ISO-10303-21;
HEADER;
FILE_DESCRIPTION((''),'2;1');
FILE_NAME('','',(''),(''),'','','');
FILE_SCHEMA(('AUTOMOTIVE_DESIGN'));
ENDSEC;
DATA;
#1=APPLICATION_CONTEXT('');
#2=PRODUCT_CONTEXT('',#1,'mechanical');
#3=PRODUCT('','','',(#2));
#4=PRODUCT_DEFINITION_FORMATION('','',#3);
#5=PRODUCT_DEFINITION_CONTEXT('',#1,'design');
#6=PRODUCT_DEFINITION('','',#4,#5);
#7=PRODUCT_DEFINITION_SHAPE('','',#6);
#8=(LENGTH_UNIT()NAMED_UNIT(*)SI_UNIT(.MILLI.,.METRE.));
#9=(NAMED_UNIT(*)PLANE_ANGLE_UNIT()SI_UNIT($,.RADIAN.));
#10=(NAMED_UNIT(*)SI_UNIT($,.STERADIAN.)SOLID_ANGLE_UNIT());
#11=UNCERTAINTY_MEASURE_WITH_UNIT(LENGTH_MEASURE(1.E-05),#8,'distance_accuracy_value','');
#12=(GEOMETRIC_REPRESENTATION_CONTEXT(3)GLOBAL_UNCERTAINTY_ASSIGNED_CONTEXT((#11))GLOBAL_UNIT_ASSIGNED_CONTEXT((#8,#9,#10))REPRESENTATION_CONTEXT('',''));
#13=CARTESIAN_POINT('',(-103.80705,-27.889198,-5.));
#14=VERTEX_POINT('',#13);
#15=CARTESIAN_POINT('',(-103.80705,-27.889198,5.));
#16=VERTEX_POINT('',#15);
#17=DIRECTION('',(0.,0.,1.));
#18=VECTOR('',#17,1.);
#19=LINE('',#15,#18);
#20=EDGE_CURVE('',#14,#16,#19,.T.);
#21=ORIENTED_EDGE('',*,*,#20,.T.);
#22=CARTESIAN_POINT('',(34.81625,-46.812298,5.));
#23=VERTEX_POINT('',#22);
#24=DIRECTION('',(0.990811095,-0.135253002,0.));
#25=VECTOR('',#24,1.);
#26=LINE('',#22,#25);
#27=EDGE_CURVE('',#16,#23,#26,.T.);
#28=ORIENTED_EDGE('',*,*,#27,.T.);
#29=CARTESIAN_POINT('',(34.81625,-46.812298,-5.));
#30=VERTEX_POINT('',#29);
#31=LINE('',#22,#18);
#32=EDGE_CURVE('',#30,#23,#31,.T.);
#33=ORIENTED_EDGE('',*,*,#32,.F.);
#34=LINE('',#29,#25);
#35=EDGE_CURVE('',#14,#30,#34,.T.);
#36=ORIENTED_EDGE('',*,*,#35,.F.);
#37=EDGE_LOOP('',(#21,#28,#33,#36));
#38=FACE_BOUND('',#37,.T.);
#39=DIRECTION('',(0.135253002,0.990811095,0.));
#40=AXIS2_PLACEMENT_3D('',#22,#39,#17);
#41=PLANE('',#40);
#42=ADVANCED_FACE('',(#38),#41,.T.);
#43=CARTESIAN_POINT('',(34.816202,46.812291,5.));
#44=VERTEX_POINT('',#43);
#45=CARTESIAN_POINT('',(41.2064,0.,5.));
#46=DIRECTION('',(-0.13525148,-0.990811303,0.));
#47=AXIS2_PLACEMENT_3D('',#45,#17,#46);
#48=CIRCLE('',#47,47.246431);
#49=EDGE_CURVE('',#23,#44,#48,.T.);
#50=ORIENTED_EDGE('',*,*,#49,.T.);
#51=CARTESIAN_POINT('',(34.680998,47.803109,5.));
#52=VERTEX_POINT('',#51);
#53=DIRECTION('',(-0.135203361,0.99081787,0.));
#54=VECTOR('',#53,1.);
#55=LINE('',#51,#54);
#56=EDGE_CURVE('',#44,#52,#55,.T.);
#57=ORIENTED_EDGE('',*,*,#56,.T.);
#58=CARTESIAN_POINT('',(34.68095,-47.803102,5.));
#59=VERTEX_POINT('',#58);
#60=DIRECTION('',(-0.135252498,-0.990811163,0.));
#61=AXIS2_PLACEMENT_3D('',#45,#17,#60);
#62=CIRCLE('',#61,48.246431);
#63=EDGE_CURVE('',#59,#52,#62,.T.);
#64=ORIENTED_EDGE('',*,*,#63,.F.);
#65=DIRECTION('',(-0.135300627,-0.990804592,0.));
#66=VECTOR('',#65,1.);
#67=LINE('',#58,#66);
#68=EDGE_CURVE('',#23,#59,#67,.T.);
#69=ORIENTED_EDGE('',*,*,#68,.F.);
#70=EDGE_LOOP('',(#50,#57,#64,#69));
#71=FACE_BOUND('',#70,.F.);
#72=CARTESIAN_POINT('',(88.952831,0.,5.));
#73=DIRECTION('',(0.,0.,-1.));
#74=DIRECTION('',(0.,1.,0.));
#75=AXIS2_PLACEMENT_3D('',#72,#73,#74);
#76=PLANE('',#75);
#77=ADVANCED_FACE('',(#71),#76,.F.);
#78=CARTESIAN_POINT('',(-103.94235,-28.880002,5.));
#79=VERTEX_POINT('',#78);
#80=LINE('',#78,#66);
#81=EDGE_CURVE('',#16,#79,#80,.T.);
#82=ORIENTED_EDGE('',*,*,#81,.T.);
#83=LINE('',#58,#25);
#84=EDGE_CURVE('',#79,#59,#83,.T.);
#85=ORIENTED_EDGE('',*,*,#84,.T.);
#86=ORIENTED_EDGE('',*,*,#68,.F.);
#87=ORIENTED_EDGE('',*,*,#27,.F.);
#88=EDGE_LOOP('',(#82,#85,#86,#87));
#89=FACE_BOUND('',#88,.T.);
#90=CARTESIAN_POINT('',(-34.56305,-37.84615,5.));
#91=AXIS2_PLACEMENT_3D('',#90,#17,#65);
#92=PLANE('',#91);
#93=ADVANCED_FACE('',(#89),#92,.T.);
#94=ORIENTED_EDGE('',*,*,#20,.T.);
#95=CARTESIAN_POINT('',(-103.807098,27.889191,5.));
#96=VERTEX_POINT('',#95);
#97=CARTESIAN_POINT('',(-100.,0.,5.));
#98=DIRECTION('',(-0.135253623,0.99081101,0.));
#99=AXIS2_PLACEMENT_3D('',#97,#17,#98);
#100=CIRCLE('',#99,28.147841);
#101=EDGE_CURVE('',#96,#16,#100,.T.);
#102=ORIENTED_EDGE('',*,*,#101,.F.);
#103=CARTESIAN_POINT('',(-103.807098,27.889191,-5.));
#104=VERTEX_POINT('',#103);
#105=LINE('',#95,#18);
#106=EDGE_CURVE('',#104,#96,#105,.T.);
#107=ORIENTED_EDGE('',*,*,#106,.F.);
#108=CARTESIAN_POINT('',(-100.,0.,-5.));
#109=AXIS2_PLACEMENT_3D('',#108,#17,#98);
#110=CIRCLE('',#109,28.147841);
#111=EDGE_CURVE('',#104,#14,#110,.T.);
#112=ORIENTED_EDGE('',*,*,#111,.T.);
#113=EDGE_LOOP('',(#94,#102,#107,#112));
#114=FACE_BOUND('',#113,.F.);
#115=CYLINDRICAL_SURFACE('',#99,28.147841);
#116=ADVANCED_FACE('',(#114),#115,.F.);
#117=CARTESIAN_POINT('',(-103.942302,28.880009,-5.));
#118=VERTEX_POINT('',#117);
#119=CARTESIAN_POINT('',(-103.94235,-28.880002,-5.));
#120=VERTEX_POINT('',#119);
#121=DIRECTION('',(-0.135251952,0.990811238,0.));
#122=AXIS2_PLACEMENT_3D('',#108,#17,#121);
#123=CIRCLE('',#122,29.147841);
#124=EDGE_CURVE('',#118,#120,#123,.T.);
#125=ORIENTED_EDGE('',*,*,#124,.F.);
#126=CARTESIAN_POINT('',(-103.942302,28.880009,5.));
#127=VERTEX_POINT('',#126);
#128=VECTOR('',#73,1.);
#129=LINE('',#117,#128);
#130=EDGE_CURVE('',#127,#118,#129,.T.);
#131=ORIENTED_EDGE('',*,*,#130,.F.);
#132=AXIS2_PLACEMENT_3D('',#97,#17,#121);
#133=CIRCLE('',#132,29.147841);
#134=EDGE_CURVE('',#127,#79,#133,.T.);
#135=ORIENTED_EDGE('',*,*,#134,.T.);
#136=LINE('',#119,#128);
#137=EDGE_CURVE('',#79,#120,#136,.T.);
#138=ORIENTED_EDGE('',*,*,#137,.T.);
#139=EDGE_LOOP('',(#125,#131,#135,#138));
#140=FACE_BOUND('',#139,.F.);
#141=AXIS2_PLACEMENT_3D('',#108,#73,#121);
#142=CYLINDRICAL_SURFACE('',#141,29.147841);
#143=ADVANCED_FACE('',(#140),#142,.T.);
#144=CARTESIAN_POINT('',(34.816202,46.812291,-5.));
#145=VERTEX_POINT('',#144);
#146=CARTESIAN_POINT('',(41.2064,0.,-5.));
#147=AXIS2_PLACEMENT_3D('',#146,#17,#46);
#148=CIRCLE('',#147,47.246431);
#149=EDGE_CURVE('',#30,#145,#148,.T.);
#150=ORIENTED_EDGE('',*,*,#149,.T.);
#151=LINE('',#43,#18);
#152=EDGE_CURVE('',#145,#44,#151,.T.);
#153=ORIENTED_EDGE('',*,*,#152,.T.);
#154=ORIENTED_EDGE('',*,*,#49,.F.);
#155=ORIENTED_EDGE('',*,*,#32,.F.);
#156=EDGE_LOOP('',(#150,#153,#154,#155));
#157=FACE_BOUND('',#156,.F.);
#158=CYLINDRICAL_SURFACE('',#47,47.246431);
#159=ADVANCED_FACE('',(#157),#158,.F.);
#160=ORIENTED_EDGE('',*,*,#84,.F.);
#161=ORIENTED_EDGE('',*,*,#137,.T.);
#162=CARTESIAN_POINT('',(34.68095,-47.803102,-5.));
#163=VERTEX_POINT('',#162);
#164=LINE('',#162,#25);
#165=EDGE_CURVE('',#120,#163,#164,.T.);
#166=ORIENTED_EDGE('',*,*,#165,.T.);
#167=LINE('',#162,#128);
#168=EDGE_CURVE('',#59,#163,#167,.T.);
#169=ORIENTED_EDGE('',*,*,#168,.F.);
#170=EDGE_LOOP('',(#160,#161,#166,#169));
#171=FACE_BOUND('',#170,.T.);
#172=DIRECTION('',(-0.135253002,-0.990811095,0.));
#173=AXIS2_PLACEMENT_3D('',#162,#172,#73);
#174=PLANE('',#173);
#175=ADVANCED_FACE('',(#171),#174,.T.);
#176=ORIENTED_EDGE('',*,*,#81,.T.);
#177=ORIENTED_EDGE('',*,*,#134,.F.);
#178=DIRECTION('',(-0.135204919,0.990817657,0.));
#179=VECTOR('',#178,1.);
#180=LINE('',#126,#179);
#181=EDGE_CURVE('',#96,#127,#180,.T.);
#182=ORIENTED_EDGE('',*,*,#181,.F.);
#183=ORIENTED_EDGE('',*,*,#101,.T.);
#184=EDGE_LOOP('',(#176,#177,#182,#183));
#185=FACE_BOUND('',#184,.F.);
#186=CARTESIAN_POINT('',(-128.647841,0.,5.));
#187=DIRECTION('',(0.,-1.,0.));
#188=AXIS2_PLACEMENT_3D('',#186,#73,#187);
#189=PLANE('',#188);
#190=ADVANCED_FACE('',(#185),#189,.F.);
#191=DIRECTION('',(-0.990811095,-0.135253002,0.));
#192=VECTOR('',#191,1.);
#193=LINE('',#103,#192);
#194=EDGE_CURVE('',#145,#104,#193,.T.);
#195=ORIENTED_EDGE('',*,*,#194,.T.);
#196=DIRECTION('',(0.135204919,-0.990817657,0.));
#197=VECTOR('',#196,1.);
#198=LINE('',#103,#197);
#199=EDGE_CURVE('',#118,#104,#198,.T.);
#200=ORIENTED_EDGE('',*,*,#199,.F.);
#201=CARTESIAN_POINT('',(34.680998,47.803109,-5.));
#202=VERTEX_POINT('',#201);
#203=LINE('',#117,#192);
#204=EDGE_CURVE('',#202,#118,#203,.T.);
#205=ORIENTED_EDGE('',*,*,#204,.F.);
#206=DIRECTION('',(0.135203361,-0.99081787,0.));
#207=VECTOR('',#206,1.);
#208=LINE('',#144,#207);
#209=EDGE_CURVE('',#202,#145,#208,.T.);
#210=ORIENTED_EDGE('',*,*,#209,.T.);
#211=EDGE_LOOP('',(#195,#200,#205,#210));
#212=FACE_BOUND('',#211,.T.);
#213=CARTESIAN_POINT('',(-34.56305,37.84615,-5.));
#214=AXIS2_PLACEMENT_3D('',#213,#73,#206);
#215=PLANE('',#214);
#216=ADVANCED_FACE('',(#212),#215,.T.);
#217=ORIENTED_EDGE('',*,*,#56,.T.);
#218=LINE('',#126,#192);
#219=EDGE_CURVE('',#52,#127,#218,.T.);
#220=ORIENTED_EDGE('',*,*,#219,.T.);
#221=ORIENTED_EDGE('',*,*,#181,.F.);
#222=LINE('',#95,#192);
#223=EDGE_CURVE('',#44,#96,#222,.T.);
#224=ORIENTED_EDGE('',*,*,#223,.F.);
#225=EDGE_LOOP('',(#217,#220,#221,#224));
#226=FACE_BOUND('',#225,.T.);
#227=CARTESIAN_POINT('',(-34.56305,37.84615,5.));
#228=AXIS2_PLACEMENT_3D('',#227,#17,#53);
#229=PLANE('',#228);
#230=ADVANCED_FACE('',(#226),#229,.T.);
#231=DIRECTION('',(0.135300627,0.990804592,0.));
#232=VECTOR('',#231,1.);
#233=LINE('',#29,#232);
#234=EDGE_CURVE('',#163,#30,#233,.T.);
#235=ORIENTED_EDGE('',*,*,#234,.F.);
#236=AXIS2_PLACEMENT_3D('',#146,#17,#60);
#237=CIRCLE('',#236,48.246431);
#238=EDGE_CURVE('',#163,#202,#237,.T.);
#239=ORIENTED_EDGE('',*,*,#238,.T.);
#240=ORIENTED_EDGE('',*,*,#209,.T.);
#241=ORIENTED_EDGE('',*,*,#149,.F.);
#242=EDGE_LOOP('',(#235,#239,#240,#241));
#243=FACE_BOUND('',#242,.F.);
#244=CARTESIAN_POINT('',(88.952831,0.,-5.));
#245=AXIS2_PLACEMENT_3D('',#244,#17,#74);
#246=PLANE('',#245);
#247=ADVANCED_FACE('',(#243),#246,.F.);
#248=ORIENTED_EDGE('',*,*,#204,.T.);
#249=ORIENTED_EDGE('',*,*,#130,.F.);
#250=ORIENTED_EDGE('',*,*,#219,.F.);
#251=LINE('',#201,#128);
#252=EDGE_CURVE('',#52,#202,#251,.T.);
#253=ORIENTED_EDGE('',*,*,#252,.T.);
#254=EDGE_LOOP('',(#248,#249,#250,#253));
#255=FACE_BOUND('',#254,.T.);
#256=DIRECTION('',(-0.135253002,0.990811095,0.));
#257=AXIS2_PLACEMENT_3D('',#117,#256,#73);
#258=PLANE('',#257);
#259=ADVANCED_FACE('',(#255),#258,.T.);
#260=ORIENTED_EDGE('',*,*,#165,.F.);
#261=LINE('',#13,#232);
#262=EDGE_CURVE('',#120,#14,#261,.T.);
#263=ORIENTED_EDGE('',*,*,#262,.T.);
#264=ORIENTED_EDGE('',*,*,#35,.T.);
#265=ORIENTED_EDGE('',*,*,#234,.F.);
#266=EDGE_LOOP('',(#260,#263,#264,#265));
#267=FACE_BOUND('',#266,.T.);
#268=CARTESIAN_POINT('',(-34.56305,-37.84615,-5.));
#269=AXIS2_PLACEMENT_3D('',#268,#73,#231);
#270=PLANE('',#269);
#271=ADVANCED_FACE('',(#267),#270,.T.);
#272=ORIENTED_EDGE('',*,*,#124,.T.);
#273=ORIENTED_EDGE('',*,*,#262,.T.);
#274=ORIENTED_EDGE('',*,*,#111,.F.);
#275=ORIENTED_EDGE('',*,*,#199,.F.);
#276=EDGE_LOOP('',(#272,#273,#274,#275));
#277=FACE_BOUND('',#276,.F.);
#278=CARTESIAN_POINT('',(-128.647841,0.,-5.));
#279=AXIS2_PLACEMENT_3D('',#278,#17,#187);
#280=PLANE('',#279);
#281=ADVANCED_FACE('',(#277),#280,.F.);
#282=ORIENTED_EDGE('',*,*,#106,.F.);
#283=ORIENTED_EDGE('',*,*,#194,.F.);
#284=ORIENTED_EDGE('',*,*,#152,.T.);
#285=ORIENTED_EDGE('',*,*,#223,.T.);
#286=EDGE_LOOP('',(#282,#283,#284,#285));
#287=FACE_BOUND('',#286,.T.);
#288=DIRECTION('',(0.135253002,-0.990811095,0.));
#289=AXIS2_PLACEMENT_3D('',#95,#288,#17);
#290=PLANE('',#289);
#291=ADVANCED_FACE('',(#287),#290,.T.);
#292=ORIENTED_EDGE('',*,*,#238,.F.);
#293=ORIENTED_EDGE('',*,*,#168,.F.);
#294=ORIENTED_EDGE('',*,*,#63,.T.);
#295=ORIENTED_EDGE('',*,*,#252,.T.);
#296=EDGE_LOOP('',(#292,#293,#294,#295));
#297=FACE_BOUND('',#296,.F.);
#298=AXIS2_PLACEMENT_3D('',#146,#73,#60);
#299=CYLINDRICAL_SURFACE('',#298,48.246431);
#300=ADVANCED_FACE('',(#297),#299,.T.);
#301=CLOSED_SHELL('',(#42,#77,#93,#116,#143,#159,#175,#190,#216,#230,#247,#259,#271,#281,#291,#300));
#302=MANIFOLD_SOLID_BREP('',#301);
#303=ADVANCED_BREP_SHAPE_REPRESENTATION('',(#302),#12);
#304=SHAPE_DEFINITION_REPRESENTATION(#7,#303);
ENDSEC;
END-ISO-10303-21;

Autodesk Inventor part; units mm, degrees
sketch "Sketch Path" plane through (0, 0, 0) normal (0, 0, 1) x (1, 0, 0)
  arc A0 (-103.8747, 28.3846) -> (-103.8747, -28.3846) centre (-100, 0) ccw
  arc A1 (34.7486, -47.3077) -> (34.7486, 47.3077) centre (41.2064, 0) ccw
  line L0 (34.7486, -47.3077) -> (-103.8747, -28.3846)
  line L1 (-103.8747, 28.3846) -> (34.7486, 47.3077)
ref_plane "Cross Section Plane" through (-103.8747, -28.3846, 0) normal (0.9908, -0.1353, 0) x (0, 0, 1)
ref_plane "Work Plane2" through (-100, 0, 0) normal (-1, 0, 0) x (0, 0, 1)
ref_plane "Work Plane3" through (41.2064, 0, 0) normal (-0.9986, -0.0523, 0) x (0, 0, 1)
sketch "Cross Section" plane through (-103.8747, -28.3846, 0) normal (0.9908, -0.1353, 0) x (0, 0, 1)
  line L0 (-5, 0.5) -> (5, 0.5)
  line L1 (5, 0.5) -> (5, -0.5)
  line L2 (5, -0.5) -> (-5, -0.5)
  line L3 (-5, -0.5) -> (-5, 0.5)
  line L4 (-5, 0) -> (5, 0) construction
  point P0 (0, 0)
  point P1 (0, 0)
  dimension "d0" = 10
  dimension "d4" = 0.5
  dimension "d5" = 0.5
sweep "Belt" add profiles "Cross Section" path "Sketch Path"
equation "\"d0\" = da_B"
equation "\"d4\" = da_a"
equation "\"d5\" = da_a2"
equation "\"da_B\" = 10"
equation "\"da_pb\" = 5"
equation "\"da_L\" = 525"
equation "\"da_a\" = 0.5"
equation "\"da_S\" = 2.65"
equation "\"da_Beta\" = 20deg"
equation "\"da_Ht\" = 1.2"
equation "\"da_H\" = 2.2"
equation "\"da_a2\" = 0.5"
properties part number "Synchronous Belt" material "Rubber"
